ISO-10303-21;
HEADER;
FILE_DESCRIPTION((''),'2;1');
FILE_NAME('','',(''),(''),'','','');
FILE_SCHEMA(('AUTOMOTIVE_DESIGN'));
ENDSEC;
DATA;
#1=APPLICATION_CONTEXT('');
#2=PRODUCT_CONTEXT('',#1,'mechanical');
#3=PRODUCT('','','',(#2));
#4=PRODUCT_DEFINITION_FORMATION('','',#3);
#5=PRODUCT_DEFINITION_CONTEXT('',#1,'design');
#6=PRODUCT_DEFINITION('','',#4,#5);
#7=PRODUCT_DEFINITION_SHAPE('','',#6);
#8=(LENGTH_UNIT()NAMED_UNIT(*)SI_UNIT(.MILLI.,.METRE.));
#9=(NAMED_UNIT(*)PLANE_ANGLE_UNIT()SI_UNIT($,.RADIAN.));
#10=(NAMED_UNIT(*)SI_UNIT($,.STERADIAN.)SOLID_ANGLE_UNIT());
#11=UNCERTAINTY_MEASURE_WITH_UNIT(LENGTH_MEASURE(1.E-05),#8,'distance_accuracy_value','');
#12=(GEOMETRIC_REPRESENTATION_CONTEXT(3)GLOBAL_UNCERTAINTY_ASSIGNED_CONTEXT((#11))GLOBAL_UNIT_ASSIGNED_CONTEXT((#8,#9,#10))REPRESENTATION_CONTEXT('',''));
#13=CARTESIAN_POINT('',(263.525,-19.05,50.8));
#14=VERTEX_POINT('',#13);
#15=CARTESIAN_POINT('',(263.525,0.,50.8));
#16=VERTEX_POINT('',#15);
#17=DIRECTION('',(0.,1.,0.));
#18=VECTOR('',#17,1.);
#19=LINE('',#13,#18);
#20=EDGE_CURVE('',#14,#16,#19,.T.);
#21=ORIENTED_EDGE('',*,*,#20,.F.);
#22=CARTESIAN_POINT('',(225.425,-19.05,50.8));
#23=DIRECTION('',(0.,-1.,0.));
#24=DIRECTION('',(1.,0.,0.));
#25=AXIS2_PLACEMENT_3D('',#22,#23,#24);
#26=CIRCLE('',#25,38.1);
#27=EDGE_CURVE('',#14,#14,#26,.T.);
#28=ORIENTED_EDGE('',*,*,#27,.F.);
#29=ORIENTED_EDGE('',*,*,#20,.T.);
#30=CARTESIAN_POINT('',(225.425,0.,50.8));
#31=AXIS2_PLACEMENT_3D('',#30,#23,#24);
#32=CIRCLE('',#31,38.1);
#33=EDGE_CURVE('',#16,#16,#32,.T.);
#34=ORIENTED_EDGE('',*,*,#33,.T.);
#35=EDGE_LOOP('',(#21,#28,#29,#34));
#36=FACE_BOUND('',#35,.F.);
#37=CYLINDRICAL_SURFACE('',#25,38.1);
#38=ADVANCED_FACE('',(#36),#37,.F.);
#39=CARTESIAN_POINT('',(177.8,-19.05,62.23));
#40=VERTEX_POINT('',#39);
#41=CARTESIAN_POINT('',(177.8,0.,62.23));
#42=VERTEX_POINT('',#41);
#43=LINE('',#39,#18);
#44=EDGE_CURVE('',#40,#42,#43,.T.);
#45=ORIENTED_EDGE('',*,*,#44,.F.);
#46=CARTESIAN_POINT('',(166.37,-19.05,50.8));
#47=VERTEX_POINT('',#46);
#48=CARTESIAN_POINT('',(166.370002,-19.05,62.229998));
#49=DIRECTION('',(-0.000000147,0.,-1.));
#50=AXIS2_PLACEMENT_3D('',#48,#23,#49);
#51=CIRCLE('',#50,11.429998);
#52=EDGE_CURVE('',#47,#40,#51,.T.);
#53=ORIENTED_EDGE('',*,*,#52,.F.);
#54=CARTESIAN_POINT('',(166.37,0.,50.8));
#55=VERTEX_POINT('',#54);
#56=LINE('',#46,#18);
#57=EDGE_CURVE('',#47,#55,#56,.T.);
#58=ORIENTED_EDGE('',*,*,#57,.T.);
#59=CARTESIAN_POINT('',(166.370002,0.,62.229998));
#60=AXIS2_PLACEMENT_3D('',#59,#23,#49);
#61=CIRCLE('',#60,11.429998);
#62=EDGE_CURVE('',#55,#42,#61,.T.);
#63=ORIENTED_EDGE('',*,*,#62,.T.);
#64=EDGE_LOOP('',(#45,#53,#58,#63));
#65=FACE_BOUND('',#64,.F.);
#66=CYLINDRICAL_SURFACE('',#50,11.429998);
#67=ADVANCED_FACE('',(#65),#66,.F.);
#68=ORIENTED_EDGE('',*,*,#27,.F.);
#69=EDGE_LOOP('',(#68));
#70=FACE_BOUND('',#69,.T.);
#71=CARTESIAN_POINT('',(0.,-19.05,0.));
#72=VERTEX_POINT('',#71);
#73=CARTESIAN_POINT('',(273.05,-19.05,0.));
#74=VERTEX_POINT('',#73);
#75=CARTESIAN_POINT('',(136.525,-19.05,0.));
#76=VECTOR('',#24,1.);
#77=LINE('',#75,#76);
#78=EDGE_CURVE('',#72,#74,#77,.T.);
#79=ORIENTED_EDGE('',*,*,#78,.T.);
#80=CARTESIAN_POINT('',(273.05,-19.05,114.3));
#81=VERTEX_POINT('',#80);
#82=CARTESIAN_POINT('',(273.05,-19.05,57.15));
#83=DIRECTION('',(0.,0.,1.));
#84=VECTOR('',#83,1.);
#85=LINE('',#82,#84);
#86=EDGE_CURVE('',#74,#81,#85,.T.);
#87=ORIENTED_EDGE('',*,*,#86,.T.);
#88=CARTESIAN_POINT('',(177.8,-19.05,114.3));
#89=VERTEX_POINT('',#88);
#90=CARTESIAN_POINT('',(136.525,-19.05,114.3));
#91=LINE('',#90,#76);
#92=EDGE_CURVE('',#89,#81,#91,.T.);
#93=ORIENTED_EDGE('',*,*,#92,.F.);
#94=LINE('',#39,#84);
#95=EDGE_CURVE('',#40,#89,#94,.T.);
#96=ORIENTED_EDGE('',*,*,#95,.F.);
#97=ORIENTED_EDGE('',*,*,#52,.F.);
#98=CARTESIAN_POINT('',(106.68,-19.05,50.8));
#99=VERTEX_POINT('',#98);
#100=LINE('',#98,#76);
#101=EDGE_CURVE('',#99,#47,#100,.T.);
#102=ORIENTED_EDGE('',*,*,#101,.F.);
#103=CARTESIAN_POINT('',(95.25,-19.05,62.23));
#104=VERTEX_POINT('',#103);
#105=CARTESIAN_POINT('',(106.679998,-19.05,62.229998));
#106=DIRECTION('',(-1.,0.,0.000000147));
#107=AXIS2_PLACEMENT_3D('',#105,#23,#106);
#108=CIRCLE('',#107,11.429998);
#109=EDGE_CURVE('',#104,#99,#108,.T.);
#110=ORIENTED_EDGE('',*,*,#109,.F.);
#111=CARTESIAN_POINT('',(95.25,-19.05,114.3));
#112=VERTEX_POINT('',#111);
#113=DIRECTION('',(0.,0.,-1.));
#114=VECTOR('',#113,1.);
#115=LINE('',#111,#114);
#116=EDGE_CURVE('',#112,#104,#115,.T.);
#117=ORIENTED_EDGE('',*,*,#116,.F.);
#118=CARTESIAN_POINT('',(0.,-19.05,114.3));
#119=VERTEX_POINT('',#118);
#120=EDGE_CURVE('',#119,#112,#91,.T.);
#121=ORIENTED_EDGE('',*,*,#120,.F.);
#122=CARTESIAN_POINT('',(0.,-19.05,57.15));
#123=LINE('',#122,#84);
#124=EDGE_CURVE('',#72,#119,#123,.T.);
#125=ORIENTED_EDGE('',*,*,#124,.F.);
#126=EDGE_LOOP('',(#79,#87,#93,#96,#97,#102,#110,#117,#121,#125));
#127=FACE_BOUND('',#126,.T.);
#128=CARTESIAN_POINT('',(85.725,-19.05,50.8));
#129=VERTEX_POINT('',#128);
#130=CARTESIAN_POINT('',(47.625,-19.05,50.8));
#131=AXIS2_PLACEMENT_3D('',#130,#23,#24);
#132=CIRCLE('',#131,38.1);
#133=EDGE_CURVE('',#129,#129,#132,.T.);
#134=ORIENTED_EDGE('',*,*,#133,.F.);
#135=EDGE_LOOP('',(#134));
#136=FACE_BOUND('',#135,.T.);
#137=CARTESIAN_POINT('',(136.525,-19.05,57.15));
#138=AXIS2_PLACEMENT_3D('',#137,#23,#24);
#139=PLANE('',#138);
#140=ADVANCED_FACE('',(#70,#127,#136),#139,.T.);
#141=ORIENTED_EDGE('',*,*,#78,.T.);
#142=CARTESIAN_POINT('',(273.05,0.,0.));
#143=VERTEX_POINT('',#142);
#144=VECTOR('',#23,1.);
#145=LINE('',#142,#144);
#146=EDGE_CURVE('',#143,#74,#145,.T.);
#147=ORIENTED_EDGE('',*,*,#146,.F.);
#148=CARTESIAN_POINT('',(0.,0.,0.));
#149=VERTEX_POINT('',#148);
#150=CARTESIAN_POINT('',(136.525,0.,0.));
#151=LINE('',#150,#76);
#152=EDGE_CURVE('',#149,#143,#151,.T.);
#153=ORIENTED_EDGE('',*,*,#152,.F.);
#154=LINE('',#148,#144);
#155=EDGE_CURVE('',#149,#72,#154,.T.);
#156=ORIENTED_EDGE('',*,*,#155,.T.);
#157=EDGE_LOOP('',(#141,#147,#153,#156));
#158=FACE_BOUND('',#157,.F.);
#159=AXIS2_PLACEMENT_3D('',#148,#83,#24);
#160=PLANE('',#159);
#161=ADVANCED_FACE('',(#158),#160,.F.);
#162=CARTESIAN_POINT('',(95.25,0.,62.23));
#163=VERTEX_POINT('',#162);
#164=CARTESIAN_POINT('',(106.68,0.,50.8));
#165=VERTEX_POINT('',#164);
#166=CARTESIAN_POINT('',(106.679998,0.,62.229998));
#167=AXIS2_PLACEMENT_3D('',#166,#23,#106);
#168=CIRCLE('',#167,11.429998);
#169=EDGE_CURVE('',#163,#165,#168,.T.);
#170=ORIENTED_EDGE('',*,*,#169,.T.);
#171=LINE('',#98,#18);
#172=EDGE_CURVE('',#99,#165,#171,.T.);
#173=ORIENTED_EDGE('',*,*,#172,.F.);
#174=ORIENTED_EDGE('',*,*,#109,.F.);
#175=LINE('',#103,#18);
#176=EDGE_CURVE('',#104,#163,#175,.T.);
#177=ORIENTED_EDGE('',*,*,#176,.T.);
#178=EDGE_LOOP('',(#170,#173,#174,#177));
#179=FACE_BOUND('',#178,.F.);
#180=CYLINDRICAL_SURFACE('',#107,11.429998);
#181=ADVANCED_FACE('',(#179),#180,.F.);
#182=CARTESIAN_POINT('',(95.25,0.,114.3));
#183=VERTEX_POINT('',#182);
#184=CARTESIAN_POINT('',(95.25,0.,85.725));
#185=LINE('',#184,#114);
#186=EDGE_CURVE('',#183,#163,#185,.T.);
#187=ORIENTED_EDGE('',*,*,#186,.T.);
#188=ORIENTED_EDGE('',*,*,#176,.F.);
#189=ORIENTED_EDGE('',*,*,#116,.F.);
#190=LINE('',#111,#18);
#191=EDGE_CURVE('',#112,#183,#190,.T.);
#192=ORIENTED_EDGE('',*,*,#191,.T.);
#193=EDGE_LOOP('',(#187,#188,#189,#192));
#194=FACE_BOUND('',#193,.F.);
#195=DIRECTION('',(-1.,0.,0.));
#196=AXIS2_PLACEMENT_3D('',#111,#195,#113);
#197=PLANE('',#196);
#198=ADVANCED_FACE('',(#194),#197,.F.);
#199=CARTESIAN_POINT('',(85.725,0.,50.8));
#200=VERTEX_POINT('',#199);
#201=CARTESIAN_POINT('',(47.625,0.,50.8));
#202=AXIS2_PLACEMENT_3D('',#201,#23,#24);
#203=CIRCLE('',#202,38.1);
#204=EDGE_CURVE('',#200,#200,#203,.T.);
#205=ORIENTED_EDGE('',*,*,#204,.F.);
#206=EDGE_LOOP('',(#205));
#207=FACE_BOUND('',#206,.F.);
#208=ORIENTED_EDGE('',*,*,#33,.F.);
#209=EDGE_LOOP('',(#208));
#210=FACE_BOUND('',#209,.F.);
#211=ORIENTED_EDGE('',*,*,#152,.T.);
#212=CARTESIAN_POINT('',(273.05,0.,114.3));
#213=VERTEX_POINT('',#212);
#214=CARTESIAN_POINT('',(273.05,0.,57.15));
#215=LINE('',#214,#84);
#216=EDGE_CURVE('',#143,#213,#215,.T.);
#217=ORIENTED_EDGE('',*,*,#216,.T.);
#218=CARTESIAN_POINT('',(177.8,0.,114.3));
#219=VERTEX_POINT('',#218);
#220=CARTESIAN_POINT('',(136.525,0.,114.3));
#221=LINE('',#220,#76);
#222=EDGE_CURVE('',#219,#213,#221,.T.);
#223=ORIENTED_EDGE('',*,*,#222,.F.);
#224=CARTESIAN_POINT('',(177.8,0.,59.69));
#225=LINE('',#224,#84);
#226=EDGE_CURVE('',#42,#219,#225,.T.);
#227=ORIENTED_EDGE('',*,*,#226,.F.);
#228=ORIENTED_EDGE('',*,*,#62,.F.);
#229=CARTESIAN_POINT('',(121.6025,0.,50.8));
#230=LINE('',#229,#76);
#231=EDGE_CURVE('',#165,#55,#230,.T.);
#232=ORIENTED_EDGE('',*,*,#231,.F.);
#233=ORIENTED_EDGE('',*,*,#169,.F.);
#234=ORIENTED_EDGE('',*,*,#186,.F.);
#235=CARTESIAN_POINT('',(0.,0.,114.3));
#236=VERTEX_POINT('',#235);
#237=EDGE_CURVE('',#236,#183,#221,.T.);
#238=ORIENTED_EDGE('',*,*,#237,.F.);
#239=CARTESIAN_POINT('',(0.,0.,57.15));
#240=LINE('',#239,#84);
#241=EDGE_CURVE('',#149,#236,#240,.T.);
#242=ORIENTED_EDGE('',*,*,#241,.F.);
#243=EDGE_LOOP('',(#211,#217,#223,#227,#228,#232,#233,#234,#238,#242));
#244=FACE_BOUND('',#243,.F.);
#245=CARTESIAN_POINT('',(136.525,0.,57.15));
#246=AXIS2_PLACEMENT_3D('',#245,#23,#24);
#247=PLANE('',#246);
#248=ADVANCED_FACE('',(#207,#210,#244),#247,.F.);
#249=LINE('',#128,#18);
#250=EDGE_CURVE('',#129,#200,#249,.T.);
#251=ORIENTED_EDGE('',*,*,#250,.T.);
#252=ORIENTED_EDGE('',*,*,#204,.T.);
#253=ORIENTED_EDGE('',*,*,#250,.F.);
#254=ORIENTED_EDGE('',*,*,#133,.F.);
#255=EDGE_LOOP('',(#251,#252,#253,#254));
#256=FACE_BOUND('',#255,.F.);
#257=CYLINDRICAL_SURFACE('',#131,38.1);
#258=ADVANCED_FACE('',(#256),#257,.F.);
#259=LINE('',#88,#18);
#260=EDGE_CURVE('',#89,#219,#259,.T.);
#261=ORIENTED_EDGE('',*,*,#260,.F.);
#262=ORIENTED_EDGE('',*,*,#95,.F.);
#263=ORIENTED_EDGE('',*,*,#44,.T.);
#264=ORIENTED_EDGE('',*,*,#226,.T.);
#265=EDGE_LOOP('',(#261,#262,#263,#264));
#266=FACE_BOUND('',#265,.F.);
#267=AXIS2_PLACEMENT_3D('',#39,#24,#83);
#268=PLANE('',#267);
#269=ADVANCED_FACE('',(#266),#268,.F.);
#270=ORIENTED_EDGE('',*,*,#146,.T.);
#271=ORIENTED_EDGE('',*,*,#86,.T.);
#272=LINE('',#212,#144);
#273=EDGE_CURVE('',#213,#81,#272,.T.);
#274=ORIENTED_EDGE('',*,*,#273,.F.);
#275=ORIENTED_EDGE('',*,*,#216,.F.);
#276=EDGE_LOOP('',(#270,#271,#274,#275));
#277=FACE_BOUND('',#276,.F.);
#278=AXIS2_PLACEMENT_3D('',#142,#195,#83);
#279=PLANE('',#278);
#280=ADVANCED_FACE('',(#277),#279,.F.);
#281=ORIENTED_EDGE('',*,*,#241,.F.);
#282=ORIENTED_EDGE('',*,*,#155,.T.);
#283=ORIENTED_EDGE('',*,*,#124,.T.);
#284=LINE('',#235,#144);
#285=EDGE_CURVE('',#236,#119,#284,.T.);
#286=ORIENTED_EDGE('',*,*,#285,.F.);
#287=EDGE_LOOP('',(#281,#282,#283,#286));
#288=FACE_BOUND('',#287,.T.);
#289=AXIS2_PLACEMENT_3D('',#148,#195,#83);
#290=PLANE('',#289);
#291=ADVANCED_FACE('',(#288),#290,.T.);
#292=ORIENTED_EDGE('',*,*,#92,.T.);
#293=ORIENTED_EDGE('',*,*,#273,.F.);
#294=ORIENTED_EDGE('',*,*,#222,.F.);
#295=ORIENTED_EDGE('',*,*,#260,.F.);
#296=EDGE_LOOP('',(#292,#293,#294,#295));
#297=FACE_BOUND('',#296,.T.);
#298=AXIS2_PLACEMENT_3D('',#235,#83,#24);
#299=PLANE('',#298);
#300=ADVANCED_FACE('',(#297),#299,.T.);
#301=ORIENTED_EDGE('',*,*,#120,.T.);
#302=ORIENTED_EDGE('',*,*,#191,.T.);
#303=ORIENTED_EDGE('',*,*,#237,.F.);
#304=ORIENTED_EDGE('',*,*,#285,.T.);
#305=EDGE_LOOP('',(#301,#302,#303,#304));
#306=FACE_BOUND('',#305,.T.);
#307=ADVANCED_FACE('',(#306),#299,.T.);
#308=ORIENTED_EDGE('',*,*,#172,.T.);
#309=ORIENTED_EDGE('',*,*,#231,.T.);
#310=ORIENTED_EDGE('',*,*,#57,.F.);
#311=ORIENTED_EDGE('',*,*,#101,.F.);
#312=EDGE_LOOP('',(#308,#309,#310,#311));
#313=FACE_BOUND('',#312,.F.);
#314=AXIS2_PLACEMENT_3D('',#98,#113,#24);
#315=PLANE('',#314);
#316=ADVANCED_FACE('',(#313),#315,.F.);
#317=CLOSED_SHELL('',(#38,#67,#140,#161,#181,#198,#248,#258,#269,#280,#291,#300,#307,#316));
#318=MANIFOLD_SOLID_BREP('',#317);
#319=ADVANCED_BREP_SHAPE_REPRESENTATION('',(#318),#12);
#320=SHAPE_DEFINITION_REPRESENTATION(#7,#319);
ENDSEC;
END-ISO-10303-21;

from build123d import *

# Parameters (mm, degrees)
F0_W     = 273.05
F0_H     = 114.3
F1_DEPTH = 19.05
F2_R     = 38.1
F3_DEPTH = 25.4
F5_DEPTH = 25.4


with BuildPart() as f1:
    # F0 (on Front) → F1 (new body)
    with BuildSketch(Plane.XZ):
        with Locations((136.525, 57.15)):
            Rectangle(F0_W, F0_H)
    extrude(amount=F1_DEPTH)

    # F2 (on face) → F3 (cut)
    with BuildSketch(Plane.XZ.offset(19.05)):
        with Locations((225.425, 50.8)):
            Circle(F2_R)
        with Locations((47.625, 50.8)):
            Circle(F2_R)
    extrude(amount=-F3_DEPTH, mode=Mode.SUBTRACT)

    # F4 (on face) → F5 (cut)
    with BuildSketch(Plane.XZ.offset(19.05)):
        with BuildLine():
            Line((177.8, 114.3), (95.25, 114.3))
            Line((95.25, 114.3), (95.25, 62.23))
            ThreePointArc((95.25, 62.23), (98.597769, 54.147769), (106.68, 50.8))
            Line((106.68, 50.8), (166.37, 50.8))
            ThreePointArc((166.37, 50.8), (174.452231, 54.147769), (177.8, 62.23))
            Line((177.8, 62.23), (177.8, 114.3))
        make_face()
    extrude(amount=-F5_DEPTH, mode=Mode.SUBTRACT)


solid = f1.part
